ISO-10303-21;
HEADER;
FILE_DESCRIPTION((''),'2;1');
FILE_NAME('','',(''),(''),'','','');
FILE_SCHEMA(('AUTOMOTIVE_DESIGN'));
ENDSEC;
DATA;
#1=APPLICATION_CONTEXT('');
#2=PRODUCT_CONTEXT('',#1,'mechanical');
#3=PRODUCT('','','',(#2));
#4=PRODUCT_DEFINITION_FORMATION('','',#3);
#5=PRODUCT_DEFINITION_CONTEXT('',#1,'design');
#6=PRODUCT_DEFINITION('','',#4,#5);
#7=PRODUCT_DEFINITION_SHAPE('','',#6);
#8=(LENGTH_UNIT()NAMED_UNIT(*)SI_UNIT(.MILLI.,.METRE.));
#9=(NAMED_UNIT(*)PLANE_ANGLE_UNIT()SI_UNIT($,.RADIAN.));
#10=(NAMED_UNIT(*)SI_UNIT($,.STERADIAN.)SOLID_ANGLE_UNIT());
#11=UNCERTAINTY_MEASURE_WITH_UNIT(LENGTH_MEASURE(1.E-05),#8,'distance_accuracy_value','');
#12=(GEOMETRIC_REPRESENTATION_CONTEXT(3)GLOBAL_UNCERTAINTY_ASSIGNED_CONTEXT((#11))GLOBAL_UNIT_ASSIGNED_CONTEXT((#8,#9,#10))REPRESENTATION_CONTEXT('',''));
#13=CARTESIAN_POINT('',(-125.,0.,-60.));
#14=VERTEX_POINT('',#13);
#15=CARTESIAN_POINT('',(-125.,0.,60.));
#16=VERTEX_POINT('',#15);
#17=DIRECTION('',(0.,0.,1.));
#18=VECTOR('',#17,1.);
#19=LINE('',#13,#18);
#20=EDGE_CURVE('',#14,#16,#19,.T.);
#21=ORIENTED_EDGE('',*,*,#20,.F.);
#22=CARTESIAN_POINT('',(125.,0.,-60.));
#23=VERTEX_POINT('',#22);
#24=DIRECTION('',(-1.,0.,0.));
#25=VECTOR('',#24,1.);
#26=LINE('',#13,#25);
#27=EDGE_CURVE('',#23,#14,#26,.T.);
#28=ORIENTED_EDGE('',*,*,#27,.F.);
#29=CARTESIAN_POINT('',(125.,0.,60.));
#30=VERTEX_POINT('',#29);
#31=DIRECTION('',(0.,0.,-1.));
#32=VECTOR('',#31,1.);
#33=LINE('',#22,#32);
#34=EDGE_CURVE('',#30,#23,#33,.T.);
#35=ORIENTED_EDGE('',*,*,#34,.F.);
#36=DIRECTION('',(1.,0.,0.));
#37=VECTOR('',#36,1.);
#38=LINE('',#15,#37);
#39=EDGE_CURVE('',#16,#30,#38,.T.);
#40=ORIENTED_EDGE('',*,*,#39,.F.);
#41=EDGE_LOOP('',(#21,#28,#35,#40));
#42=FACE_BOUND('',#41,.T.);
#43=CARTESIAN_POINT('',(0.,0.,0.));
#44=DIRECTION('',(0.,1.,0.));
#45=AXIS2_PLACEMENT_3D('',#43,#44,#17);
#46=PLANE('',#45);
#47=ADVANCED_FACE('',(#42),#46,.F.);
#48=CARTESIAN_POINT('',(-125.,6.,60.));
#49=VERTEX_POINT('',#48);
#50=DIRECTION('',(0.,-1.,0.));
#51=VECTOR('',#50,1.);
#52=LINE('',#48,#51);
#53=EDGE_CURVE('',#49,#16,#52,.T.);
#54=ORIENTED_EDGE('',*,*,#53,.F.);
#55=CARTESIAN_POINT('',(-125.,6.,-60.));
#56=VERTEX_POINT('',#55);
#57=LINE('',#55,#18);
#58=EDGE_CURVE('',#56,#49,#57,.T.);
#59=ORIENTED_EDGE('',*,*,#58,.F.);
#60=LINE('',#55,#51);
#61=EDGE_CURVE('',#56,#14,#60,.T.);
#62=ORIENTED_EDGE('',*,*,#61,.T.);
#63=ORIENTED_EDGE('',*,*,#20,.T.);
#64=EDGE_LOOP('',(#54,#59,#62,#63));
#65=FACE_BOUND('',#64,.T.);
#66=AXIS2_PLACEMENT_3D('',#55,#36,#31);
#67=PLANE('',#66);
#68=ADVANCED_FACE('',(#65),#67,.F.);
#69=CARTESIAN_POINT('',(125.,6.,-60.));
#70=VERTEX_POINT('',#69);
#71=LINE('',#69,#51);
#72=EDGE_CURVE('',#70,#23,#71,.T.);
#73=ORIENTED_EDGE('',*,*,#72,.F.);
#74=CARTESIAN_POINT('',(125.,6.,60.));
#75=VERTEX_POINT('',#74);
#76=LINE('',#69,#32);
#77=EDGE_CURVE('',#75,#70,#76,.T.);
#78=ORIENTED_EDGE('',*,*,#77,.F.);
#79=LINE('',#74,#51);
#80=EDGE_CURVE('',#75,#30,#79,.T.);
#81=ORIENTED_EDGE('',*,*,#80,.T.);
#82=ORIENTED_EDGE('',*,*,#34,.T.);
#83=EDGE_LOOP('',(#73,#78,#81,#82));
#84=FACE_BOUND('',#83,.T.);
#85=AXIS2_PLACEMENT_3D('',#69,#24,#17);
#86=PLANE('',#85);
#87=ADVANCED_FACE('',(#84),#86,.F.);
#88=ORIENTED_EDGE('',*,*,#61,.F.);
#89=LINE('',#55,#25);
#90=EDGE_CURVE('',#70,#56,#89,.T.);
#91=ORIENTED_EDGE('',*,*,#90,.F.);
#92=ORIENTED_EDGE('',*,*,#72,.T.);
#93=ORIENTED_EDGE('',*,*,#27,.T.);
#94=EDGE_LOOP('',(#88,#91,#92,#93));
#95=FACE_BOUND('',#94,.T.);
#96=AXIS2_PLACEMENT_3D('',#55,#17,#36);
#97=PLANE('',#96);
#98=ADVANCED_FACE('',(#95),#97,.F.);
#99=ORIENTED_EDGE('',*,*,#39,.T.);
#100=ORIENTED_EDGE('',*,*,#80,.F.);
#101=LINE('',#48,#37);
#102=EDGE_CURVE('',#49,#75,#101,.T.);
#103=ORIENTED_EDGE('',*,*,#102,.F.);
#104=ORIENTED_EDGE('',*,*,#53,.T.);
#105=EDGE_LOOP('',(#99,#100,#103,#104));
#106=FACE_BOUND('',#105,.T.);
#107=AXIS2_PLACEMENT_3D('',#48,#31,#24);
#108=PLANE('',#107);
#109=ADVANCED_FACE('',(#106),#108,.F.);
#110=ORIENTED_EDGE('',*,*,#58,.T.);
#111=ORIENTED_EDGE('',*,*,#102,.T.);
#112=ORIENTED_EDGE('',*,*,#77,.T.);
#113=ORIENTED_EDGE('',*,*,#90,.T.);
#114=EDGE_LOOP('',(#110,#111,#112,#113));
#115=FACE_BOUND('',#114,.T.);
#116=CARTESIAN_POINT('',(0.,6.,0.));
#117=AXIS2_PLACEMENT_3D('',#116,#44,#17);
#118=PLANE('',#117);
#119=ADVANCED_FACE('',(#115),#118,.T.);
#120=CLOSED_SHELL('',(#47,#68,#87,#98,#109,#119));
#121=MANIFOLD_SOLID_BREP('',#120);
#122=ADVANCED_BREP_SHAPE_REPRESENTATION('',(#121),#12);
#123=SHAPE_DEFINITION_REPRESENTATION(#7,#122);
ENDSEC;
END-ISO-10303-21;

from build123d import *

# Parameters (mm, degrees)
SKETCH_1_W      = 250
SKETCH_1_H      = 120
EXTRUDE_1_DEPTH = 6


with BuildPart() as part:
    # Эскиз1 → Бобышка-Вытянуть1 (new body)
    with BuildSketch(Plane(origin=(0, 0, 0), x_dir=(1, 0, 0), z_dir=(0, 1, 0))):
        Rectangle(SKETCH_1_W, SKETCH_1_H)
    extrude(amount=EXTRUDE_1_DEPTH)


solid = part.part
